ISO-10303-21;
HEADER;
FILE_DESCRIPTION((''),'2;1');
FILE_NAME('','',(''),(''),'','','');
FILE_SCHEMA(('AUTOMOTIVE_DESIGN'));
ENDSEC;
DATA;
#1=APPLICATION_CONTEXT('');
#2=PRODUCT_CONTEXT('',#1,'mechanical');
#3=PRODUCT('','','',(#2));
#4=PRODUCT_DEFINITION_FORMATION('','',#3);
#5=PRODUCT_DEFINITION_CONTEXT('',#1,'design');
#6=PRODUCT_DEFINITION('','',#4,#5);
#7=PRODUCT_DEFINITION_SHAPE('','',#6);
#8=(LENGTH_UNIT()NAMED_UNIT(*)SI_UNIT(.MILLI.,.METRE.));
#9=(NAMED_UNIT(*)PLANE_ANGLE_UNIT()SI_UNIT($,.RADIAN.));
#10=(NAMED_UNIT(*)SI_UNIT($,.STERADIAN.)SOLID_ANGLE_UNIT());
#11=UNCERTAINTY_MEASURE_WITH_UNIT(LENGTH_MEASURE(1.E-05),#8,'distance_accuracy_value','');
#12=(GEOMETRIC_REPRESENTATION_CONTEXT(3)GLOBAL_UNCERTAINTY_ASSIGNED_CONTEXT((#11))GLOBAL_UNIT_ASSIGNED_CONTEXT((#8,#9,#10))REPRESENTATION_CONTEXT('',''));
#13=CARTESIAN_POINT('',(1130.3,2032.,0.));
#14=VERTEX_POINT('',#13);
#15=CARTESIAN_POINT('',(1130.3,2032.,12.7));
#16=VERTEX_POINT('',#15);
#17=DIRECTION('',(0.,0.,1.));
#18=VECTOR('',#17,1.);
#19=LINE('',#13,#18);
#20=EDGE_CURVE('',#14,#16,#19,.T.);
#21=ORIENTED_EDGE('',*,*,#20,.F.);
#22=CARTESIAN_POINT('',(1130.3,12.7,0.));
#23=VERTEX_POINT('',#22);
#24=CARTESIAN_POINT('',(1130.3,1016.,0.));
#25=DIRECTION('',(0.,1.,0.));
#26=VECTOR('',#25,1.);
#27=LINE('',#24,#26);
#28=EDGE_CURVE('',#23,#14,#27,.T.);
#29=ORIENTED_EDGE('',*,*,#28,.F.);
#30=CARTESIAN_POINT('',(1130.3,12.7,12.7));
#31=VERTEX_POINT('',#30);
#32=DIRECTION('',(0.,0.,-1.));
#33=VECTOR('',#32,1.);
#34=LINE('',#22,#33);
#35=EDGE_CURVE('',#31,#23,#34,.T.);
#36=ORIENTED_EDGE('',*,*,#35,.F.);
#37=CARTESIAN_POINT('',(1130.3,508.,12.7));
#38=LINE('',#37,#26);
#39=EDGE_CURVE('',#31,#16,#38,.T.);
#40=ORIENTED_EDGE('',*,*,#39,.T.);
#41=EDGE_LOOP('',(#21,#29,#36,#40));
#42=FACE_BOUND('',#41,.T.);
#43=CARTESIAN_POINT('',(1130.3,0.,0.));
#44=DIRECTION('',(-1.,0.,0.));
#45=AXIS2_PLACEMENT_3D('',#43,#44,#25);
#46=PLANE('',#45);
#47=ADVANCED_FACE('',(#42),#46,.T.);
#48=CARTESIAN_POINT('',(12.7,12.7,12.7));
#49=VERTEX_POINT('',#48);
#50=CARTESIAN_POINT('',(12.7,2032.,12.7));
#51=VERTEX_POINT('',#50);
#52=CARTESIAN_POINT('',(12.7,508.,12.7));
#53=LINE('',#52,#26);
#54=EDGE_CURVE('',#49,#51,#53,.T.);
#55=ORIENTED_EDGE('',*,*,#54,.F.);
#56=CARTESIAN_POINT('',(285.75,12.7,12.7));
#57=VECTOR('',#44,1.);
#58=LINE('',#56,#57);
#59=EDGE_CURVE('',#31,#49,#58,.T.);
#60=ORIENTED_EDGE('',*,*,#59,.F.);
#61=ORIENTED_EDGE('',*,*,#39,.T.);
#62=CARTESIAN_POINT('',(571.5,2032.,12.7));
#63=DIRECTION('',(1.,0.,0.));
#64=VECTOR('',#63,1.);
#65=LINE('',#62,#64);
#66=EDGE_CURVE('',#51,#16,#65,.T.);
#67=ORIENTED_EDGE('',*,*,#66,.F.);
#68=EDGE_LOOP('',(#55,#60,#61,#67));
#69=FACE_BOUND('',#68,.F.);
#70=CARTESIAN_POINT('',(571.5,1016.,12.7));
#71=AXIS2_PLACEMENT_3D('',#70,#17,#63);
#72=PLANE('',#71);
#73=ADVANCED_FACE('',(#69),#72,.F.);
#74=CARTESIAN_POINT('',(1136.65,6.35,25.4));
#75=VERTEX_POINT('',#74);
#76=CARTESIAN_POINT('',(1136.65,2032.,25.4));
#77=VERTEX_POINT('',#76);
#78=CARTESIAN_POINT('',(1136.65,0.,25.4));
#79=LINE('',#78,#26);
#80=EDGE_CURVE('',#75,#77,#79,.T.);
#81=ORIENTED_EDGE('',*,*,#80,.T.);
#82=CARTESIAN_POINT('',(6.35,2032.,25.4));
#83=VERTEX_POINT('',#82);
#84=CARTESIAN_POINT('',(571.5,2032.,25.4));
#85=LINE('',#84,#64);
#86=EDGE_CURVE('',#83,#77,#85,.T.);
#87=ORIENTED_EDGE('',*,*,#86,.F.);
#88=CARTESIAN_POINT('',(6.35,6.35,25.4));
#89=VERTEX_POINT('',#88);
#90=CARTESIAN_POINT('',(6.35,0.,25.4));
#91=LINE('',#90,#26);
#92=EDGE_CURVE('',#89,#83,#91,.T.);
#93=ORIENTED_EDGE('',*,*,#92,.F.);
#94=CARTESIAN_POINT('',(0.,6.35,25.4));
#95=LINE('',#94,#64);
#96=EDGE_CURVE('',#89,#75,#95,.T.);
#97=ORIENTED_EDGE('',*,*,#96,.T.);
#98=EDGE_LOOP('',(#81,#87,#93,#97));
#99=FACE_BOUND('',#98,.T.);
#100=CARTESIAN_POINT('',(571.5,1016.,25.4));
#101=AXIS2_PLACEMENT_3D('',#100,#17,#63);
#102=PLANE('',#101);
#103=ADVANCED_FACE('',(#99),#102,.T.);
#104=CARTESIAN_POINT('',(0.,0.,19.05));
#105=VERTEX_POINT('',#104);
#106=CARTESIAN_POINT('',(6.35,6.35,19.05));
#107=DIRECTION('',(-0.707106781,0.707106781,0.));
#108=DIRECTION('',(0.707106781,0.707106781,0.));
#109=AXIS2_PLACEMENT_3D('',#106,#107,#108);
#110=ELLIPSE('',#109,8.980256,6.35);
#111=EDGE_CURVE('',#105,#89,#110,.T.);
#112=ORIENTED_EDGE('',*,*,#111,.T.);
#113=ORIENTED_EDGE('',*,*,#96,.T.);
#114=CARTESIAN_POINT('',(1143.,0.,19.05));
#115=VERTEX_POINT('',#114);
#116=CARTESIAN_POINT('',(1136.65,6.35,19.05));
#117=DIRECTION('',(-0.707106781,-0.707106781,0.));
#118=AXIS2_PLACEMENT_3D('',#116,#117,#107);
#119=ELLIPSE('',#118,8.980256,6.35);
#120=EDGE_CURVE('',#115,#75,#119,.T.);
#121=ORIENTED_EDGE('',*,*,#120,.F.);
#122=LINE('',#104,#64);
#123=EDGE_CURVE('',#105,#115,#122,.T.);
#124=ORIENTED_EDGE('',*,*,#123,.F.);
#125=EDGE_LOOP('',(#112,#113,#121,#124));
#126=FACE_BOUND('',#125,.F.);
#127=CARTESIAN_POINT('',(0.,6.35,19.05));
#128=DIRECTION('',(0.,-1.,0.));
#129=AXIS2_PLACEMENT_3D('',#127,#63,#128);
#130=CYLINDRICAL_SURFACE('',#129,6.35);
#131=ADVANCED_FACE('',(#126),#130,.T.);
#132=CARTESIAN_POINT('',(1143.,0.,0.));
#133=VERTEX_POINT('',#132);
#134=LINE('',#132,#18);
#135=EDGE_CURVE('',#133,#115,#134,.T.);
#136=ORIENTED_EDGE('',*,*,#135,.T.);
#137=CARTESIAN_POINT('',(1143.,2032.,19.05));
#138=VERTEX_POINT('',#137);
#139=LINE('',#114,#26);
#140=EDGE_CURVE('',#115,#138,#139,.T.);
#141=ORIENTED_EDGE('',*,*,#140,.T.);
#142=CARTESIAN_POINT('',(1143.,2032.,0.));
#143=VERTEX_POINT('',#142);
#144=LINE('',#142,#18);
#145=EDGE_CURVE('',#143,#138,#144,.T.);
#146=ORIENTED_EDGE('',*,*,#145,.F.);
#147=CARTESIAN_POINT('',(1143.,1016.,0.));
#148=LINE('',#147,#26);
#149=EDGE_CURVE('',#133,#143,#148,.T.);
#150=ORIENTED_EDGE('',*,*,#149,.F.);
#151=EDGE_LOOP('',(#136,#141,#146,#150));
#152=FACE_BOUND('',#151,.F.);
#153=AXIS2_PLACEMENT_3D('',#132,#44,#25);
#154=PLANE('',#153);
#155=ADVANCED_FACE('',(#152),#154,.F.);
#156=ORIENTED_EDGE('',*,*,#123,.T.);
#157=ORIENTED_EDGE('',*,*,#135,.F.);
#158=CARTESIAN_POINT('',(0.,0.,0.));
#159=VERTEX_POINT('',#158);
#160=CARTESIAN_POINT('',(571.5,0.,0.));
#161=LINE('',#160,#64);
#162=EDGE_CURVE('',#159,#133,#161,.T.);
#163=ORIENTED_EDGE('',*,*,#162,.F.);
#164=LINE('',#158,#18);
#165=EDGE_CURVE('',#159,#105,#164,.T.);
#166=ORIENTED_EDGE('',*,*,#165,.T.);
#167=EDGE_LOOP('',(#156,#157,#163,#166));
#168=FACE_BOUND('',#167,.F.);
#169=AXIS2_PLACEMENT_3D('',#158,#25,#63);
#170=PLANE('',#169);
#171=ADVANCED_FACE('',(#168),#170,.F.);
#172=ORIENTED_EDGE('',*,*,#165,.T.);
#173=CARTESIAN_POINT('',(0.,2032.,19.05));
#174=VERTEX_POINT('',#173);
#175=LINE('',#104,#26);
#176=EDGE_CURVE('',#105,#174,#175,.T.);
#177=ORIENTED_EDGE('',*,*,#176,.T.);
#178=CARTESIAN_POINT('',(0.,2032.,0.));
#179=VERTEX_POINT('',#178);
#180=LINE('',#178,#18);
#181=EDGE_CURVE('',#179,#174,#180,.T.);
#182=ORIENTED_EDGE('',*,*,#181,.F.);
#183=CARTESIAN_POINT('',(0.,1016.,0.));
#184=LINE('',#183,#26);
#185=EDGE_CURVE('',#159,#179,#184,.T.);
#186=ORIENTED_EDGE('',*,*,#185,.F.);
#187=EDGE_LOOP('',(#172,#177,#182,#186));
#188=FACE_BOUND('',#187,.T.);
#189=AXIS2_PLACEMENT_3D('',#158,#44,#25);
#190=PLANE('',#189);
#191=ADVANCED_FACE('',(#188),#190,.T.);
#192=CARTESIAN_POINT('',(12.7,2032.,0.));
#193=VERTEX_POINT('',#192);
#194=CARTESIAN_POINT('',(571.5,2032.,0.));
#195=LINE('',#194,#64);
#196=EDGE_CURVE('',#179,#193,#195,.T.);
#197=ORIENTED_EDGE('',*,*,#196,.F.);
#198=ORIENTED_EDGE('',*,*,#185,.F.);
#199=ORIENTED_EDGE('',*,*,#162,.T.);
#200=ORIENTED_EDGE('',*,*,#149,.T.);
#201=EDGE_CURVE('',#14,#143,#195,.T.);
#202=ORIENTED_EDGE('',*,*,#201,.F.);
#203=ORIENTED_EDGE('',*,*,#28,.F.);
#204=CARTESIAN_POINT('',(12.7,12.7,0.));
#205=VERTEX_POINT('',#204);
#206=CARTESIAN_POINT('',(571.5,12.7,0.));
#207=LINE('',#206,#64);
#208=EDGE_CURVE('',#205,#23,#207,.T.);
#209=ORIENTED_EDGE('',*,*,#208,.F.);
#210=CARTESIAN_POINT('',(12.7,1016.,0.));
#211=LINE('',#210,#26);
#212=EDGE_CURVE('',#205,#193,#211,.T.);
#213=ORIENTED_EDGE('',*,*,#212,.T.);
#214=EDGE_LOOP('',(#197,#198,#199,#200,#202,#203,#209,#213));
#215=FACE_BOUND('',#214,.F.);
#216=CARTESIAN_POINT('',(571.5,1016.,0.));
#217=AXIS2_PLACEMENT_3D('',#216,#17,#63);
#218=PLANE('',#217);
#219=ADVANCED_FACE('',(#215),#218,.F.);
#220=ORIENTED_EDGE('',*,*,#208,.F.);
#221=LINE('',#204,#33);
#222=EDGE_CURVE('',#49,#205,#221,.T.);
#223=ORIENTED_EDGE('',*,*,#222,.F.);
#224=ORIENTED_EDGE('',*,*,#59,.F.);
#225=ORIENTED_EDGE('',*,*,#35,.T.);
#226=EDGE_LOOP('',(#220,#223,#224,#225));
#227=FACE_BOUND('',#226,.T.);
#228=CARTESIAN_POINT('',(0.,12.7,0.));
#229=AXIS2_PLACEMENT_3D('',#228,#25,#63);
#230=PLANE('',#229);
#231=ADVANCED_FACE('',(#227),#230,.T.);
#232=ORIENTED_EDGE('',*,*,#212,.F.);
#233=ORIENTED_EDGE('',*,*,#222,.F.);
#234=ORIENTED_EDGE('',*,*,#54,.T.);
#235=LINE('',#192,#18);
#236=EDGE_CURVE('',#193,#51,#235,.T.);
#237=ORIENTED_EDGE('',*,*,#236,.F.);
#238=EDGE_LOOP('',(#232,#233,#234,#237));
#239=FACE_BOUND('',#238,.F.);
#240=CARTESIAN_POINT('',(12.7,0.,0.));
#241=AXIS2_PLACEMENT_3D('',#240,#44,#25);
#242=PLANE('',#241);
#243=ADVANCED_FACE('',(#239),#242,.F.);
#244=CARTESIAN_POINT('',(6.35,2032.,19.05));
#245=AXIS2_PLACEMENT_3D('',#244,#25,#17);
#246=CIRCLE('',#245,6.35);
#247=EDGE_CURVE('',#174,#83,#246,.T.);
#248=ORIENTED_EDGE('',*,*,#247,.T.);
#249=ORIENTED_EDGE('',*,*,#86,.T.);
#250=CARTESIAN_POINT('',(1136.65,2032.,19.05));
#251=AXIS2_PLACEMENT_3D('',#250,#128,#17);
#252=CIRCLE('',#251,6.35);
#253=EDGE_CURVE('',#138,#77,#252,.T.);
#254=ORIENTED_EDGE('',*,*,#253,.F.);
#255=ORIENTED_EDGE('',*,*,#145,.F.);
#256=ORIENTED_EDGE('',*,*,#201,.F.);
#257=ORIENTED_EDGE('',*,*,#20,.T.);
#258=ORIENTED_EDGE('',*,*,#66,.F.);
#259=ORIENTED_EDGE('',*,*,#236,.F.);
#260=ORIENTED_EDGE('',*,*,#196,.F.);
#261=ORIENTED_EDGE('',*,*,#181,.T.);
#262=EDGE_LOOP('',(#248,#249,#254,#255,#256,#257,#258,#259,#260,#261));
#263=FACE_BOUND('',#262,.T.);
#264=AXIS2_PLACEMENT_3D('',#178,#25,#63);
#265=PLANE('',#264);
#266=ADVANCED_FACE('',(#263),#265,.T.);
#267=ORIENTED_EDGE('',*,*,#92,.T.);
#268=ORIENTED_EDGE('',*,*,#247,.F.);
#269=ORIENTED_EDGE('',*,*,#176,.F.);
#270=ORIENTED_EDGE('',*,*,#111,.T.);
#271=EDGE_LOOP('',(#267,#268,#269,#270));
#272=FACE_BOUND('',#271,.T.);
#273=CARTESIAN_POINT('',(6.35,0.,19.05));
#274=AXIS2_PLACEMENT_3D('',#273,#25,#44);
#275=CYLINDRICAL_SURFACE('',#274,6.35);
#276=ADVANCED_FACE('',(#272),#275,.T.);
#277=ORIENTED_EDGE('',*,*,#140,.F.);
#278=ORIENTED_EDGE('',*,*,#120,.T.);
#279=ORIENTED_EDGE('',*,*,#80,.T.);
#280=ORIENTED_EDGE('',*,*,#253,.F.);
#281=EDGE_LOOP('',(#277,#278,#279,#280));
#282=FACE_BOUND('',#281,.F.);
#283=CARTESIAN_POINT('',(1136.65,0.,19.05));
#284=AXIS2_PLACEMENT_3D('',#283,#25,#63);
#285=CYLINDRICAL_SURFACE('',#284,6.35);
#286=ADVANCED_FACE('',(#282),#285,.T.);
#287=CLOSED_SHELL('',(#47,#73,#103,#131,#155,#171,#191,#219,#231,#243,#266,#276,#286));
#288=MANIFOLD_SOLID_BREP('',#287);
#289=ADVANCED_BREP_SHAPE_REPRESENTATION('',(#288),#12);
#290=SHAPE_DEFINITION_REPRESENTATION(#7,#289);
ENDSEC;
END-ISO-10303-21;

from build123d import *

# Parameters (mm, degrees)
F0_W     = 1143
F0_H     = 2032
F1_DEPTH = 25.4
F2_T     = -12.7
F3_R     = 6.35


with BuildPart() as f1:
    # F0 (on Top) → F1 (new body)
    with BuildSketch(Plane.XY):
        with Locations((571.5, 1016)):
            Rectangle(F0_W, F0_H)
    extrude(amount=F1_DEPTH)

    # F2
    f2_openings = [f1.faces().sort_by_distance(p)[0] for p in [
        (571.5, 1016, 0),
        (571.5, 2032, 12.7),
    ]]
    offset(amount=F2_T, openings=f2_openings)

    # F3
    f3_edges = [f1.edges().sort_by_distance(p)[0] for p in [
        (1143, 1016, 25.4),
        (571.5, 0, 25.4),
        (0, 1016, 25.4),
    ]]
    fillet(f3_edges, radius=F3_R)


solid = f1.part
